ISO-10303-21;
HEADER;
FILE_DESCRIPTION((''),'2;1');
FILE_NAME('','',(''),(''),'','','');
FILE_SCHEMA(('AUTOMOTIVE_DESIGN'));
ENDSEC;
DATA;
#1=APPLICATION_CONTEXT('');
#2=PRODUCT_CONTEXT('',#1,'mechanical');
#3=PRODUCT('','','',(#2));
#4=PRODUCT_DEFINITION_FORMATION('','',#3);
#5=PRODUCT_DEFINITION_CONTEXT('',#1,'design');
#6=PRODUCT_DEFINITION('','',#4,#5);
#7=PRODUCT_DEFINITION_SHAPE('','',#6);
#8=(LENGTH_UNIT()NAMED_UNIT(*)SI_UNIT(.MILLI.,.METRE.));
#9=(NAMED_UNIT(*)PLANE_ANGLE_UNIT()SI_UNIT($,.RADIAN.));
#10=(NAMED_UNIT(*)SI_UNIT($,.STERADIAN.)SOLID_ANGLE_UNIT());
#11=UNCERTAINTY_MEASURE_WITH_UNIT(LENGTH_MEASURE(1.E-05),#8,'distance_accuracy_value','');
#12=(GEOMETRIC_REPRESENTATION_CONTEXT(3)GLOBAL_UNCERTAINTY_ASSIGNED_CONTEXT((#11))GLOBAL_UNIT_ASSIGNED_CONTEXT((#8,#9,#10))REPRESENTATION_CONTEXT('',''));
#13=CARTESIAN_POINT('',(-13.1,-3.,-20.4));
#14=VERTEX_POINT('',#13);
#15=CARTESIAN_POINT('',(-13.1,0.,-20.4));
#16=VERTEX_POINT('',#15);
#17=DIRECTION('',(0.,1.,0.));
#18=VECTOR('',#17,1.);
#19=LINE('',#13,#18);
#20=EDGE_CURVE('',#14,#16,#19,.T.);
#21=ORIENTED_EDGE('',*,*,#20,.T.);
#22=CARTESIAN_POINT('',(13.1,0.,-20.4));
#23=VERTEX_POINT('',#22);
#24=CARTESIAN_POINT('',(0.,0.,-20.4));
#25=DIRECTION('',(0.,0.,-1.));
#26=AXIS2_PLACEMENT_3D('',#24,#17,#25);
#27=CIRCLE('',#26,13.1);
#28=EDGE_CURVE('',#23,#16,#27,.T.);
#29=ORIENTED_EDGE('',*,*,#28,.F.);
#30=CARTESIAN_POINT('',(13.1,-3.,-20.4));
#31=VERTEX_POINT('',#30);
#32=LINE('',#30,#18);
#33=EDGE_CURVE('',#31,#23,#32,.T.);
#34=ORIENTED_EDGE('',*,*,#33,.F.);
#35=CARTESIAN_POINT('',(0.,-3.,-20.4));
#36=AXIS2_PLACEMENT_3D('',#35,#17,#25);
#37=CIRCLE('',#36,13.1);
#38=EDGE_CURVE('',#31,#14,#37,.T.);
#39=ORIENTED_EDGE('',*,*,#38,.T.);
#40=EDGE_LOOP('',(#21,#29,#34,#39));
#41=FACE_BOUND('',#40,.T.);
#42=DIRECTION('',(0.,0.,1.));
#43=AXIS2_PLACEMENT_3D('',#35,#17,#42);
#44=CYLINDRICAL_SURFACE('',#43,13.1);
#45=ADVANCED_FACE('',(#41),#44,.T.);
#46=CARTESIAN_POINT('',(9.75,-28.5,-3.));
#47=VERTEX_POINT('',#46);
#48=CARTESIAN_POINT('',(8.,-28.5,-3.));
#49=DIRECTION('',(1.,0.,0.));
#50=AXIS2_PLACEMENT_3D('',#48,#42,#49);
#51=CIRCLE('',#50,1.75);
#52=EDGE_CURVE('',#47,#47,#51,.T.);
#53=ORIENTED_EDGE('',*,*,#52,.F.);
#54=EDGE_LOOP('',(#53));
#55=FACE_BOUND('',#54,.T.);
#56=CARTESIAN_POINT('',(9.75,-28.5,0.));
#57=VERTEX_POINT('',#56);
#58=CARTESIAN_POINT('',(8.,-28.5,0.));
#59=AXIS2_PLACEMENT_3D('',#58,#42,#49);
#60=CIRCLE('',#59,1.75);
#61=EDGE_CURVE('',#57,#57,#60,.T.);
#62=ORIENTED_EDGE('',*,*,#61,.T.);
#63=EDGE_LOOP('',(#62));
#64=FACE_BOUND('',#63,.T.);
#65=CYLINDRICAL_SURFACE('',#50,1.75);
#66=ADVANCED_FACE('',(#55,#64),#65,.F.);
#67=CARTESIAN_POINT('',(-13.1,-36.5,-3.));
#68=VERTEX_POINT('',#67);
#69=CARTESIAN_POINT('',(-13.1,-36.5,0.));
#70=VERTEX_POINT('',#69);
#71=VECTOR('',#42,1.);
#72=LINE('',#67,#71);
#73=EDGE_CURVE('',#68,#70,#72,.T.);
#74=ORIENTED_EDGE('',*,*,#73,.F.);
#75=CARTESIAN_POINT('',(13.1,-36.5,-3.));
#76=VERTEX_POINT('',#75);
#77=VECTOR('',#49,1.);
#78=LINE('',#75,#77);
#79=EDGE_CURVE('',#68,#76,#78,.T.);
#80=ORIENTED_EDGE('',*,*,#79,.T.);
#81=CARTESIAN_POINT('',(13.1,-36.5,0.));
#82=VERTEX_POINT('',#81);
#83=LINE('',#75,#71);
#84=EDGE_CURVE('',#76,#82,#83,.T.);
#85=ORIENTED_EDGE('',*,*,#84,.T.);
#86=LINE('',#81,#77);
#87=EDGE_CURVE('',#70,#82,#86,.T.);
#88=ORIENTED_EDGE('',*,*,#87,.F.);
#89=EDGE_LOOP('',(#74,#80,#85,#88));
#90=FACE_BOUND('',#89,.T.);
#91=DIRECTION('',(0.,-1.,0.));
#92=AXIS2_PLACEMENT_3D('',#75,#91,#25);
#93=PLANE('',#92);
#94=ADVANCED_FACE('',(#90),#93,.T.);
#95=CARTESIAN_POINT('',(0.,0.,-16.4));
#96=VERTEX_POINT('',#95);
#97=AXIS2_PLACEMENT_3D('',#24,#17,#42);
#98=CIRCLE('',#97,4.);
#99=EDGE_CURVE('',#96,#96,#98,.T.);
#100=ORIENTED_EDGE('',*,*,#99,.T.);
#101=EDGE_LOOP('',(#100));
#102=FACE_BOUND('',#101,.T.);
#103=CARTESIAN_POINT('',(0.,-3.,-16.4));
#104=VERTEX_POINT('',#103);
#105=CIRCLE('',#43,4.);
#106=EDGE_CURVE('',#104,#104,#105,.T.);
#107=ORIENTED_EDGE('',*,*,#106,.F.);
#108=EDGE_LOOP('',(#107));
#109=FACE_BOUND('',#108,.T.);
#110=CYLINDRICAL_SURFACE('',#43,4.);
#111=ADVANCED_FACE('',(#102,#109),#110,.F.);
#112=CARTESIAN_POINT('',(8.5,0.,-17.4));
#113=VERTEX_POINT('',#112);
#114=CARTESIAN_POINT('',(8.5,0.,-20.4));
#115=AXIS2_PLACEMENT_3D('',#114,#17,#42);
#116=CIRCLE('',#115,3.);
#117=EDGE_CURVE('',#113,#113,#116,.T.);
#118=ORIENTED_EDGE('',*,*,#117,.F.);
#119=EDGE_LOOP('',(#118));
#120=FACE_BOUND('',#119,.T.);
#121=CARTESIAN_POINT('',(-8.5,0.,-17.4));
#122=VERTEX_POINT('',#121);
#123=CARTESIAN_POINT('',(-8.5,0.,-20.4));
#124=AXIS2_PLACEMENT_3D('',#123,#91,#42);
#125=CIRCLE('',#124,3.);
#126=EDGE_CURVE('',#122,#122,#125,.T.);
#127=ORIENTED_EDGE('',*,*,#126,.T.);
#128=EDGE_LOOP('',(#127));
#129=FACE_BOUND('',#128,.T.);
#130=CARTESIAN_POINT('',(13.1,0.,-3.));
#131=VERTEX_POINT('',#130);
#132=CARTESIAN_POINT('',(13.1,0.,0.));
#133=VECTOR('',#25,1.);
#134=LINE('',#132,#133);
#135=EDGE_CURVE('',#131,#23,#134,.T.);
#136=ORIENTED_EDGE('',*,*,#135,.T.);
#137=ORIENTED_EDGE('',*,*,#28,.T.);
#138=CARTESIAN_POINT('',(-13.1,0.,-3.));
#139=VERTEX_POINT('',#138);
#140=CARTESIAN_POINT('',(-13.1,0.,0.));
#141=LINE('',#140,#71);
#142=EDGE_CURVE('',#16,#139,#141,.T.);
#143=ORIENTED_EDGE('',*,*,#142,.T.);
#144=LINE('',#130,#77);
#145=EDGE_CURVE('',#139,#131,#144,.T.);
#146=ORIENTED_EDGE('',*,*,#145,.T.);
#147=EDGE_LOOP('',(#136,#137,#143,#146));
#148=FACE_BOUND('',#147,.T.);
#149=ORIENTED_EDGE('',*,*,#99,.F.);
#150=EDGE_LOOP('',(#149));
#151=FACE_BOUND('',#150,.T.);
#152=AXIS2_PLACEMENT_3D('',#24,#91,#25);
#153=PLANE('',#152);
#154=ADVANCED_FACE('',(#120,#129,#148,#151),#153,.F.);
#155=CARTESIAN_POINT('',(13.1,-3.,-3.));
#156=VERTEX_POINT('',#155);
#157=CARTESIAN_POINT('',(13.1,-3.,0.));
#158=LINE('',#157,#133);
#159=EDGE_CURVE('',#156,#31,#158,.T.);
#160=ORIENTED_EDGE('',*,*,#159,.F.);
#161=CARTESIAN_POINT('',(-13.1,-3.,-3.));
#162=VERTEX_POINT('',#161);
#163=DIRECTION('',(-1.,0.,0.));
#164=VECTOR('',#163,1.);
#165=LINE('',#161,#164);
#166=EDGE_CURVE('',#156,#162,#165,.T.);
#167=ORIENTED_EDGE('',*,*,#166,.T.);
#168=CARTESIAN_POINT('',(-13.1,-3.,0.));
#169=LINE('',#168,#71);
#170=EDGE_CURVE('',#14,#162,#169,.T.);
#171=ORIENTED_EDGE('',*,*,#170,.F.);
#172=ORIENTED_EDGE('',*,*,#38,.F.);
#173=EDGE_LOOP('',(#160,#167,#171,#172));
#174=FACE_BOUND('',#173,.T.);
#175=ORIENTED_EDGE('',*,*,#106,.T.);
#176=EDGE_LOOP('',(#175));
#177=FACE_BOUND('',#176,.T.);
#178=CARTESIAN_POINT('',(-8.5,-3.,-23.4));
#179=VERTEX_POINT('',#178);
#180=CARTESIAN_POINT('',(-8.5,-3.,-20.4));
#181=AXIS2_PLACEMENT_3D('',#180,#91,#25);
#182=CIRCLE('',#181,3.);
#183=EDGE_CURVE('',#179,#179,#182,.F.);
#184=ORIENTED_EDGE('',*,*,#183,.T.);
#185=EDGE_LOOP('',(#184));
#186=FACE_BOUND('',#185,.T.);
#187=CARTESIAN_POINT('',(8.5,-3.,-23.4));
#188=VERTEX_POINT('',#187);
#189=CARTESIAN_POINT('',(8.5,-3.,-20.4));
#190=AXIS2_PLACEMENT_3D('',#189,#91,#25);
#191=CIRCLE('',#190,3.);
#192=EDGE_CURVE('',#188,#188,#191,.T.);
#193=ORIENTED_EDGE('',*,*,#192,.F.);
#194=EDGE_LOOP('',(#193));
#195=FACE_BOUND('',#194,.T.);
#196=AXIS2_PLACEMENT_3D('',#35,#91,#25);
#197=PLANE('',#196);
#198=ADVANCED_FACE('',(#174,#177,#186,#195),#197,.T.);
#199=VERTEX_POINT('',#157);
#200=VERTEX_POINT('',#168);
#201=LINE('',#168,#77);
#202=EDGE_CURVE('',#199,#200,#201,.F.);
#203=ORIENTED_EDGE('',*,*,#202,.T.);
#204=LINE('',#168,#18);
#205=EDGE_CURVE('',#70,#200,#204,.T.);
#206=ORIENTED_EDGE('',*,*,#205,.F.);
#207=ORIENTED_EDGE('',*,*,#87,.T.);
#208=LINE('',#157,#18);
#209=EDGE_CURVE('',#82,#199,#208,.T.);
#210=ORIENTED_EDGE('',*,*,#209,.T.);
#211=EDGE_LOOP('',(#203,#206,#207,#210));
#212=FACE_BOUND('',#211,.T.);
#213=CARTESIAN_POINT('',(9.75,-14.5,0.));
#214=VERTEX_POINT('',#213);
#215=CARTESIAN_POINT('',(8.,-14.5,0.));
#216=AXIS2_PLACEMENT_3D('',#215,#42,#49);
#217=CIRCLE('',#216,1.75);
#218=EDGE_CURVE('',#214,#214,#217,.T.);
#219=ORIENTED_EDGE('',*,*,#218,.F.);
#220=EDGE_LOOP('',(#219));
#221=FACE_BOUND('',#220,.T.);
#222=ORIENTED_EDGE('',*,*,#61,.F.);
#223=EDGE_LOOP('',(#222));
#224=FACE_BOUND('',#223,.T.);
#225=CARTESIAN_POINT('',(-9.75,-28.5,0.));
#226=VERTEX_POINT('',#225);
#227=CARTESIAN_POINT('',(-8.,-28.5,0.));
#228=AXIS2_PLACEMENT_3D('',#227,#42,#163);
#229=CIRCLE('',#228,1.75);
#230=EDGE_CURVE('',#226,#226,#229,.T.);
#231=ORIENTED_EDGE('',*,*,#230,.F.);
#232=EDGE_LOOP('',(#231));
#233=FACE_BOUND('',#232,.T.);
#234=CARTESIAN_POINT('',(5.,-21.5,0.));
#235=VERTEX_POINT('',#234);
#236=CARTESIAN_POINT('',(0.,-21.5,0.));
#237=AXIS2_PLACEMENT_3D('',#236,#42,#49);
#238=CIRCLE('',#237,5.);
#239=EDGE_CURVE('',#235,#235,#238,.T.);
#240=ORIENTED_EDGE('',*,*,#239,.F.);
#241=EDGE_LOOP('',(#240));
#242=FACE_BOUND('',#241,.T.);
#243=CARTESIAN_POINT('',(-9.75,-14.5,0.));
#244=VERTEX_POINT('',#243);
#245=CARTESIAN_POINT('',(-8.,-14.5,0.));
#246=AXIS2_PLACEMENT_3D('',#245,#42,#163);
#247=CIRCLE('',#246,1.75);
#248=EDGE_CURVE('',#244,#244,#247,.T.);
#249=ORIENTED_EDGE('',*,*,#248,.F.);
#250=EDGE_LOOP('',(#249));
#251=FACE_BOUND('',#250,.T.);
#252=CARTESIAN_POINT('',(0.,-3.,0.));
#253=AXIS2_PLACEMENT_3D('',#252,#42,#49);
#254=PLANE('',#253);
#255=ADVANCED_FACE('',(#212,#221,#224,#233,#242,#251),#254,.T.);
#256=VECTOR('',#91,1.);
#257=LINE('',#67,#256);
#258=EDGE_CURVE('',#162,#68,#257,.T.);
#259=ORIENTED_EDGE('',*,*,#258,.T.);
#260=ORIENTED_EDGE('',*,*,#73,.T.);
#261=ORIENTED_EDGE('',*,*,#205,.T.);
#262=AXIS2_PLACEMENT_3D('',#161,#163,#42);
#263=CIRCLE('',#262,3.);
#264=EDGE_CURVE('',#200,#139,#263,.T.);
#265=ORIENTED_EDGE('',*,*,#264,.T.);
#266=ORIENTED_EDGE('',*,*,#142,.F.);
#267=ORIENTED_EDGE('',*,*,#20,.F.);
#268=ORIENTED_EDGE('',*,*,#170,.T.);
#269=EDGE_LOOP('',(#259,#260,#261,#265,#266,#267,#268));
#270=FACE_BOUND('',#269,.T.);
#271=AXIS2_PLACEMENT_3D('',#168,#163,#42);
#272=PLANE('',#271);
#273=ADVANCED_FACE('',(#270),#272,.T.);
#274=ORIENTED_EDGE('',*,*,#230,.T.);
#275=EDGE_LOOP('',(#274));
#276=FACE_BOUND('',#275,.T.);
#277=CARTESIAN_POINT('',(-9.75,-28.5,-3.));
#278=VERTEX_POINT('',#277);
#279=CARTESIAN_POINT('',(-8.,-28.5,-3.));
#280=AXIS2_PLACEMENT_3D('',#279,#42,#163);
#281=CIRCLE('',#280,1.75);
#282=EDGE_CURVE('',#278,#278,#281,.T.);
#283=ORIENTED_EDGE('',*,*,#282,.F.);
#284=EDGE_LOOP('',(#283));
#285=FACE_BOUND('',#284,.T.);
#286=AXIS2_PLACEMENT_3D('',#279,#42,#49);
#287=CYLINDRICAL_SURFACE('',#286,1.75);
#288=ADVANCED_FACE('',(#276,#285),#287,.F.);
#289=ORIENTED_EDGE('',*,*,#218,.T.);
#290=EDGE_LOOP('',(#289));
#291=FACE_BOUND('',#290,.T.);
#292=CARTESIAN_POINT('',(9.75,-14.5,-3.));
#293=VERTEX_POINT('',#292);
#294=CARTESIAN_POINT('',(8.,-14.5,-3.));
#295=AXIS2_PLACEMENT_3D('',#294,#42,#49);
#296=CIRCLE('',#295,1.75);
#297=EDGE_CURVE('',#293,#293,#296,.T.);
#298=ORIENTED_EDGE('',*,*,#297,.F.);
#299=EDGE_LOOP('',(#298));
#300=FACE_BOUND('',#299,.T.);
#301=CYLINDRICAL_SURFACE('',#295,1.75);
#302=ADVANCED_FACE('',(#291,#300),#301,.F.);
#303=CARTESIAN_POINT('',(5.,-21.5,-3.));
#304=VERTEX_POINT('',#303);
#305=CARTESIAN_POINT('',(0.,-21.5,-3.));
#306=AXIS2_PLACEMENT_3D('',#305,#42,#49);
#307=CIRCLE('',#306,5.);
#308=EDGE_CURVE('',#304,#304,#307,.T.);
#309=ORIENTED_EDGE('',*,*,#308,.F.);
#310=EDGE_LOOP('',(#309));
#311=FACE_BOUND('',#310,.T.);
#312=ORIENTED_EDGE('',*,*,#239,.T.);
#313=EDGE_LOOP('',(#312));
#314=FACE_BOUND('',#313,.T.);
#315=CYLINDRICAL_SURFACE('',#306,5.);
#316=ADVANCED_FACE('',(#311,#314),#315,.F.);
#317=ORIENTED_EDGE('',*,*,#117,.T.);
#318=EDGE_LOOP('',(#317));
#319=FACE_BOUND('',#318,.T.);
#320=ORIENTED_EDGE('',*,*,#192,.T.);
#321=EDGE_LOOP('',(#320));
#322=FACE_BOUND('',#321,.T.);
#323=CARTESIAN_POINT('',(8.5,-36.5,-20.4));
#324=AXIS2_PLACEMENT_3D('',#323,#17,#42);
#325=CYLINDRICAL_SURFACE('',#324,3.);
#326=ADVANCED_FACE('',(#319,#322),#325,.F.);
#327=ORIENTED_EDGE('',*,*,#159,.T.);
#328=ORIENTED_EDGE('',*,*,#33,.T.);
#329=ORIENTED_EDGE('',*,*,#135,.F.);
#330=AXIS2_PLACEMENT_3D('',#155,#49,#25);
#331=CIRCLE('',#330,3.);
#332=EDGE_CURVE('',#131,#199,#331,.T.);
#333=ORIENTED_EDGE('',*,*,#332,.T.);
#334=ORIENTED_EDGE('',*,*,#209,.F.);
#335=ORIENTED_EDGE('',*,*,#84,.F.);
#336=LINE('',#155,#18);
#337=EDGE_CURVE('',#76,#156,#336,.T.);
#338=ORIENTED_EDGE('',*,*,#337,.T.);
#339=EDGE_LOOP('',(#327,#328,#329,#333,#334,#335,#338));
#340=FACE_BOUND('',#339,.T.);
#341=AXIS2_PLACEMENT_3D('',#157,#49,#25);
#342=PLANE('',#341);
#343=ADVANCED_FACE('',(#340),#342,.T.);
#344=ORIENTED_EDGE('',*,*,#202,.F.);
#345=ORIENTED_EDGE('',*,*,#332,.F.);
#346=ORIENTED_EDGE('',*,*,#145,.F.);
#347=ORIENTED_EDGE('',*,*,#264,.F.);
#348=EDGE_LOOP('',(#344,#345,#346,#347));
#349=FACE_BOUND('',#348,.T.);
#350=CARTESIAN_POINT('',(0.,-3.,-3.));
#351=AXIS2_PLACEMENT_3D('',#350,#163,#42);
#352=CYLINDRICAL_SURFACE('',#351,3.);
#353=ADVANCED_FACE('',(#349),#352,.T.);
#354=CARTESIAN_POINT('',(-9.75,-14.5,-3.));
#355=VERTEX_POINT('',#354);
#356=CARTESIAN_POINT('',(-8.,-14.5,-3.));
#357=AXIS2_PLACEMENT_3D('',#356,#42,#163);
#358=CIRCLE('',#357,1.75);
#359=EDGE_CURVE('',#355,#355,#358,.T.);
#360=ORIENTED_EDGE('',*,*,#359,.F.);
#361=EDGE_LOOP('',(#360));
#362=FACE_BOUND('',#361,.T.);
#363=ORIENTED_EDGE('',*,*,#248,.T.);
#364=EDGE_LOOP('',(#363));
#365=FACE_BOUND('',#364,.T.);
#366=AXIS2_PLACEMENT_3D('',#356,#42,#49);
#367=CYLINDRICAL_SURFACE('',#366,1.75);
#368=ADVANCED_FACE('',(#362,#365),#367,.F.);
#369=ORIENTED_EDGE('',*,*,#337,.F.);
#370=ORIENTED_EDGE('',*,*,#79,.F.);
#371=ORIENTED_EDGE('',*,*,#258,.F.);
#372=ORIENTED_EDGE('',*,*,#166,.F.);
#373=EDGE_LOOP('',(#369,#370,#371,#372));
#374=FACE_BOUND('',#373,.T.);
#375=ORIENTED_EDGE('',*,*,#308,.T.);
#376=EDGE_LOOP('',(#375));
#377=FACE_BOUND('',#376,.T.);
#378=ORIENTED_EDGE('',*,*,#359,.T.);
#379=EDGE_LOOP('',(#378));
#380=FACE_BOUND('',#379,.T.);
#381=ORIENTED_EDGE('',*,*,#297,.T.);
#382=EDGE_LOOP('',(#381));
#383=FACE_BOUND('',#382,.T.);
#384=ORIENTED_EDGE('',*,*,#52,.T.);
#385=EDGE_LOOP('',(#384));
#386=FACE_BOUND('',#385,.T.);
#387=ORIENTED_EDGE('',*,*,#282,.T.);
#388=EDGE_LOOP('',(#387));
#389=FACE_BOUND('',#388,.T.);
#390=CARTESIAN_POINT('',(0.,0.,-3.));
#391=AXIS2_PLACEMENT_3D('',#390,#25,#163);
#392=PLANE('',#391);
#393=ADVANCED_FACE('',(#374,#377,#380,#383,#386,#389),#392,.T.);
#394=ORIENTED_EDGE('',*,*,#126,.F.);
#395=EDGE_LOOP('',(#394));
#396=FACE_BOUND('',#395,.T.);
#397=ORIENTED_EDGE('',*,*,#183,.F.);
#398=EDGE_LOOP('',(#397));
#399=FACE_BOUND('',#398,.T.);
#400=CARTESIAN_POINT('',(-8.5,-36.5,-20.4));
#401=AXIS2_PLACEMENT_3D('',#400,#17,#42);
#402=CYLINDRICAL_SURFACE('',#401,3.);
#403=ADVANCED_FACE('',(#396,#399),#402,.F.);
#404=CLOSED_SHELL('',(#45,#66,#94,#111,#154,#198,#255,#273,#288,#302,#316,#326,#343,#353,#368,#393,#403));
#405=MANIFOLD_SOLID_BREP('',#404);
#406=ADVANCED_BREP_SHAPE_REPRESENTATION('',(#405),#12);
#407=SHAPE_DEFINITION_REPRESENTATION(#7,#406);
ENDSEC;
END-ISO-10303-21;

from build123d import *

# Parameters (mm, degrees)
SKETCH_3_R          = 4
EXTRUDE_1_DEPTH     = 3
SKETCH_4_W          = 26.2
SKETCH_4_H          = 33.5
SKETCH_4_R          = 5
SKETCH_4_R_2        = 1.75
EXTRUDE_2_DEPTH     = 3
FILLET_1_R          = 3
SKETCH_7_R          = 3
CUT_EXTRUDE_1_DEPTH = 52.245585176


with BuildPart() as part:
    # 草图3 → 凸台-拉伸1 (new body)
    with BuildSketch(Plane(origin=(0, 0, 0), x_dir=(1, 0, 0), z_dir=(0, 1, 0))):
        with BuildLine():
            Line((0, 0), (-13.1, 0))
            Line((-13.1, 0), (-13.1, 20.4))
            ThreePointArc((-13.1, 20.4), (0, 33.5), (13.1, 20.4))
            Line((13.1, 20.4), (13.1, 0))
            Line((13.1, 0), (0, 0))
        make_face()
        with Locations(Location((0, 20.4, 0), (0, 0, 270))):
            Circle(SKETCH_3_R, mode=Mode.SUBTRACT)
    extrude(amount=-EXTRUDE_1_DEPTH)

    # 草图4 → 凸台-拉伸2 (add)
    with BuildSketch(Plane.XY):
        with Locations((0, -19.75)):
            Rectangle(SKETCH_4_W, SKETCH_4_H)
        with Locations((0, -21.5)):
            Circle(SKETCH_4_R, mode=Mode.SUBTRACT)
        with Locations((8, -28.5)):
            Circle(SKETCH_4_R_2, mode=Mode.SUBTRACT)
        with Locations((8, -14.5)):
            Circle(SKETCH_4_R_2, mode=Mode.SUBTRACT)
        with Locations(Location((-8, -14.5, 0), (0, 0, 180))):
            Circle(SKETCH_4_R_2, mode=Mode.SUBTRACT)
        with Locations(Location((-8, -28.5, 0), (0, 0, 180))):
            Circle(SKETCH_4_R_2, mode=Mode.SUBTRACT)
    extrude(amount=-EXTRUDE_2_DEPTH)

    # 圆角1
    fillet_1_edges = [part.edges().sort_by_distance(p)[0] for p in [
        (0, 0, 0),
    ]]
    fillet(fillet_1_edges, radius=FILLET_1_R)

    # 草图7 → 切除-拉伸1 (cut, through all)
    with BuildSketch(Plane(origin=(0, 0, 0), x_dir=(1, 0, 0), z_dir=(0, 1, 0))):
        with Locations(Location((8.5, 20.4, 0), (0, 0, 270))):
            Circle(SKETCH_7_R)
    cut_extrude_1 = extrude(amount=-CUT_EXTRUDE_1_DEPTH, mode=Mode.SUBTRACT)

    # 镜向1: 切除-拉伸1 across plane
    add(cut_extrude_1.mirror(Plane(origin=(0, 0, 0), x_dir=(0, 0, 1), z_dir=(1, 0, 0))), mode=Mode.SUBTRACT)


solid = part.part
